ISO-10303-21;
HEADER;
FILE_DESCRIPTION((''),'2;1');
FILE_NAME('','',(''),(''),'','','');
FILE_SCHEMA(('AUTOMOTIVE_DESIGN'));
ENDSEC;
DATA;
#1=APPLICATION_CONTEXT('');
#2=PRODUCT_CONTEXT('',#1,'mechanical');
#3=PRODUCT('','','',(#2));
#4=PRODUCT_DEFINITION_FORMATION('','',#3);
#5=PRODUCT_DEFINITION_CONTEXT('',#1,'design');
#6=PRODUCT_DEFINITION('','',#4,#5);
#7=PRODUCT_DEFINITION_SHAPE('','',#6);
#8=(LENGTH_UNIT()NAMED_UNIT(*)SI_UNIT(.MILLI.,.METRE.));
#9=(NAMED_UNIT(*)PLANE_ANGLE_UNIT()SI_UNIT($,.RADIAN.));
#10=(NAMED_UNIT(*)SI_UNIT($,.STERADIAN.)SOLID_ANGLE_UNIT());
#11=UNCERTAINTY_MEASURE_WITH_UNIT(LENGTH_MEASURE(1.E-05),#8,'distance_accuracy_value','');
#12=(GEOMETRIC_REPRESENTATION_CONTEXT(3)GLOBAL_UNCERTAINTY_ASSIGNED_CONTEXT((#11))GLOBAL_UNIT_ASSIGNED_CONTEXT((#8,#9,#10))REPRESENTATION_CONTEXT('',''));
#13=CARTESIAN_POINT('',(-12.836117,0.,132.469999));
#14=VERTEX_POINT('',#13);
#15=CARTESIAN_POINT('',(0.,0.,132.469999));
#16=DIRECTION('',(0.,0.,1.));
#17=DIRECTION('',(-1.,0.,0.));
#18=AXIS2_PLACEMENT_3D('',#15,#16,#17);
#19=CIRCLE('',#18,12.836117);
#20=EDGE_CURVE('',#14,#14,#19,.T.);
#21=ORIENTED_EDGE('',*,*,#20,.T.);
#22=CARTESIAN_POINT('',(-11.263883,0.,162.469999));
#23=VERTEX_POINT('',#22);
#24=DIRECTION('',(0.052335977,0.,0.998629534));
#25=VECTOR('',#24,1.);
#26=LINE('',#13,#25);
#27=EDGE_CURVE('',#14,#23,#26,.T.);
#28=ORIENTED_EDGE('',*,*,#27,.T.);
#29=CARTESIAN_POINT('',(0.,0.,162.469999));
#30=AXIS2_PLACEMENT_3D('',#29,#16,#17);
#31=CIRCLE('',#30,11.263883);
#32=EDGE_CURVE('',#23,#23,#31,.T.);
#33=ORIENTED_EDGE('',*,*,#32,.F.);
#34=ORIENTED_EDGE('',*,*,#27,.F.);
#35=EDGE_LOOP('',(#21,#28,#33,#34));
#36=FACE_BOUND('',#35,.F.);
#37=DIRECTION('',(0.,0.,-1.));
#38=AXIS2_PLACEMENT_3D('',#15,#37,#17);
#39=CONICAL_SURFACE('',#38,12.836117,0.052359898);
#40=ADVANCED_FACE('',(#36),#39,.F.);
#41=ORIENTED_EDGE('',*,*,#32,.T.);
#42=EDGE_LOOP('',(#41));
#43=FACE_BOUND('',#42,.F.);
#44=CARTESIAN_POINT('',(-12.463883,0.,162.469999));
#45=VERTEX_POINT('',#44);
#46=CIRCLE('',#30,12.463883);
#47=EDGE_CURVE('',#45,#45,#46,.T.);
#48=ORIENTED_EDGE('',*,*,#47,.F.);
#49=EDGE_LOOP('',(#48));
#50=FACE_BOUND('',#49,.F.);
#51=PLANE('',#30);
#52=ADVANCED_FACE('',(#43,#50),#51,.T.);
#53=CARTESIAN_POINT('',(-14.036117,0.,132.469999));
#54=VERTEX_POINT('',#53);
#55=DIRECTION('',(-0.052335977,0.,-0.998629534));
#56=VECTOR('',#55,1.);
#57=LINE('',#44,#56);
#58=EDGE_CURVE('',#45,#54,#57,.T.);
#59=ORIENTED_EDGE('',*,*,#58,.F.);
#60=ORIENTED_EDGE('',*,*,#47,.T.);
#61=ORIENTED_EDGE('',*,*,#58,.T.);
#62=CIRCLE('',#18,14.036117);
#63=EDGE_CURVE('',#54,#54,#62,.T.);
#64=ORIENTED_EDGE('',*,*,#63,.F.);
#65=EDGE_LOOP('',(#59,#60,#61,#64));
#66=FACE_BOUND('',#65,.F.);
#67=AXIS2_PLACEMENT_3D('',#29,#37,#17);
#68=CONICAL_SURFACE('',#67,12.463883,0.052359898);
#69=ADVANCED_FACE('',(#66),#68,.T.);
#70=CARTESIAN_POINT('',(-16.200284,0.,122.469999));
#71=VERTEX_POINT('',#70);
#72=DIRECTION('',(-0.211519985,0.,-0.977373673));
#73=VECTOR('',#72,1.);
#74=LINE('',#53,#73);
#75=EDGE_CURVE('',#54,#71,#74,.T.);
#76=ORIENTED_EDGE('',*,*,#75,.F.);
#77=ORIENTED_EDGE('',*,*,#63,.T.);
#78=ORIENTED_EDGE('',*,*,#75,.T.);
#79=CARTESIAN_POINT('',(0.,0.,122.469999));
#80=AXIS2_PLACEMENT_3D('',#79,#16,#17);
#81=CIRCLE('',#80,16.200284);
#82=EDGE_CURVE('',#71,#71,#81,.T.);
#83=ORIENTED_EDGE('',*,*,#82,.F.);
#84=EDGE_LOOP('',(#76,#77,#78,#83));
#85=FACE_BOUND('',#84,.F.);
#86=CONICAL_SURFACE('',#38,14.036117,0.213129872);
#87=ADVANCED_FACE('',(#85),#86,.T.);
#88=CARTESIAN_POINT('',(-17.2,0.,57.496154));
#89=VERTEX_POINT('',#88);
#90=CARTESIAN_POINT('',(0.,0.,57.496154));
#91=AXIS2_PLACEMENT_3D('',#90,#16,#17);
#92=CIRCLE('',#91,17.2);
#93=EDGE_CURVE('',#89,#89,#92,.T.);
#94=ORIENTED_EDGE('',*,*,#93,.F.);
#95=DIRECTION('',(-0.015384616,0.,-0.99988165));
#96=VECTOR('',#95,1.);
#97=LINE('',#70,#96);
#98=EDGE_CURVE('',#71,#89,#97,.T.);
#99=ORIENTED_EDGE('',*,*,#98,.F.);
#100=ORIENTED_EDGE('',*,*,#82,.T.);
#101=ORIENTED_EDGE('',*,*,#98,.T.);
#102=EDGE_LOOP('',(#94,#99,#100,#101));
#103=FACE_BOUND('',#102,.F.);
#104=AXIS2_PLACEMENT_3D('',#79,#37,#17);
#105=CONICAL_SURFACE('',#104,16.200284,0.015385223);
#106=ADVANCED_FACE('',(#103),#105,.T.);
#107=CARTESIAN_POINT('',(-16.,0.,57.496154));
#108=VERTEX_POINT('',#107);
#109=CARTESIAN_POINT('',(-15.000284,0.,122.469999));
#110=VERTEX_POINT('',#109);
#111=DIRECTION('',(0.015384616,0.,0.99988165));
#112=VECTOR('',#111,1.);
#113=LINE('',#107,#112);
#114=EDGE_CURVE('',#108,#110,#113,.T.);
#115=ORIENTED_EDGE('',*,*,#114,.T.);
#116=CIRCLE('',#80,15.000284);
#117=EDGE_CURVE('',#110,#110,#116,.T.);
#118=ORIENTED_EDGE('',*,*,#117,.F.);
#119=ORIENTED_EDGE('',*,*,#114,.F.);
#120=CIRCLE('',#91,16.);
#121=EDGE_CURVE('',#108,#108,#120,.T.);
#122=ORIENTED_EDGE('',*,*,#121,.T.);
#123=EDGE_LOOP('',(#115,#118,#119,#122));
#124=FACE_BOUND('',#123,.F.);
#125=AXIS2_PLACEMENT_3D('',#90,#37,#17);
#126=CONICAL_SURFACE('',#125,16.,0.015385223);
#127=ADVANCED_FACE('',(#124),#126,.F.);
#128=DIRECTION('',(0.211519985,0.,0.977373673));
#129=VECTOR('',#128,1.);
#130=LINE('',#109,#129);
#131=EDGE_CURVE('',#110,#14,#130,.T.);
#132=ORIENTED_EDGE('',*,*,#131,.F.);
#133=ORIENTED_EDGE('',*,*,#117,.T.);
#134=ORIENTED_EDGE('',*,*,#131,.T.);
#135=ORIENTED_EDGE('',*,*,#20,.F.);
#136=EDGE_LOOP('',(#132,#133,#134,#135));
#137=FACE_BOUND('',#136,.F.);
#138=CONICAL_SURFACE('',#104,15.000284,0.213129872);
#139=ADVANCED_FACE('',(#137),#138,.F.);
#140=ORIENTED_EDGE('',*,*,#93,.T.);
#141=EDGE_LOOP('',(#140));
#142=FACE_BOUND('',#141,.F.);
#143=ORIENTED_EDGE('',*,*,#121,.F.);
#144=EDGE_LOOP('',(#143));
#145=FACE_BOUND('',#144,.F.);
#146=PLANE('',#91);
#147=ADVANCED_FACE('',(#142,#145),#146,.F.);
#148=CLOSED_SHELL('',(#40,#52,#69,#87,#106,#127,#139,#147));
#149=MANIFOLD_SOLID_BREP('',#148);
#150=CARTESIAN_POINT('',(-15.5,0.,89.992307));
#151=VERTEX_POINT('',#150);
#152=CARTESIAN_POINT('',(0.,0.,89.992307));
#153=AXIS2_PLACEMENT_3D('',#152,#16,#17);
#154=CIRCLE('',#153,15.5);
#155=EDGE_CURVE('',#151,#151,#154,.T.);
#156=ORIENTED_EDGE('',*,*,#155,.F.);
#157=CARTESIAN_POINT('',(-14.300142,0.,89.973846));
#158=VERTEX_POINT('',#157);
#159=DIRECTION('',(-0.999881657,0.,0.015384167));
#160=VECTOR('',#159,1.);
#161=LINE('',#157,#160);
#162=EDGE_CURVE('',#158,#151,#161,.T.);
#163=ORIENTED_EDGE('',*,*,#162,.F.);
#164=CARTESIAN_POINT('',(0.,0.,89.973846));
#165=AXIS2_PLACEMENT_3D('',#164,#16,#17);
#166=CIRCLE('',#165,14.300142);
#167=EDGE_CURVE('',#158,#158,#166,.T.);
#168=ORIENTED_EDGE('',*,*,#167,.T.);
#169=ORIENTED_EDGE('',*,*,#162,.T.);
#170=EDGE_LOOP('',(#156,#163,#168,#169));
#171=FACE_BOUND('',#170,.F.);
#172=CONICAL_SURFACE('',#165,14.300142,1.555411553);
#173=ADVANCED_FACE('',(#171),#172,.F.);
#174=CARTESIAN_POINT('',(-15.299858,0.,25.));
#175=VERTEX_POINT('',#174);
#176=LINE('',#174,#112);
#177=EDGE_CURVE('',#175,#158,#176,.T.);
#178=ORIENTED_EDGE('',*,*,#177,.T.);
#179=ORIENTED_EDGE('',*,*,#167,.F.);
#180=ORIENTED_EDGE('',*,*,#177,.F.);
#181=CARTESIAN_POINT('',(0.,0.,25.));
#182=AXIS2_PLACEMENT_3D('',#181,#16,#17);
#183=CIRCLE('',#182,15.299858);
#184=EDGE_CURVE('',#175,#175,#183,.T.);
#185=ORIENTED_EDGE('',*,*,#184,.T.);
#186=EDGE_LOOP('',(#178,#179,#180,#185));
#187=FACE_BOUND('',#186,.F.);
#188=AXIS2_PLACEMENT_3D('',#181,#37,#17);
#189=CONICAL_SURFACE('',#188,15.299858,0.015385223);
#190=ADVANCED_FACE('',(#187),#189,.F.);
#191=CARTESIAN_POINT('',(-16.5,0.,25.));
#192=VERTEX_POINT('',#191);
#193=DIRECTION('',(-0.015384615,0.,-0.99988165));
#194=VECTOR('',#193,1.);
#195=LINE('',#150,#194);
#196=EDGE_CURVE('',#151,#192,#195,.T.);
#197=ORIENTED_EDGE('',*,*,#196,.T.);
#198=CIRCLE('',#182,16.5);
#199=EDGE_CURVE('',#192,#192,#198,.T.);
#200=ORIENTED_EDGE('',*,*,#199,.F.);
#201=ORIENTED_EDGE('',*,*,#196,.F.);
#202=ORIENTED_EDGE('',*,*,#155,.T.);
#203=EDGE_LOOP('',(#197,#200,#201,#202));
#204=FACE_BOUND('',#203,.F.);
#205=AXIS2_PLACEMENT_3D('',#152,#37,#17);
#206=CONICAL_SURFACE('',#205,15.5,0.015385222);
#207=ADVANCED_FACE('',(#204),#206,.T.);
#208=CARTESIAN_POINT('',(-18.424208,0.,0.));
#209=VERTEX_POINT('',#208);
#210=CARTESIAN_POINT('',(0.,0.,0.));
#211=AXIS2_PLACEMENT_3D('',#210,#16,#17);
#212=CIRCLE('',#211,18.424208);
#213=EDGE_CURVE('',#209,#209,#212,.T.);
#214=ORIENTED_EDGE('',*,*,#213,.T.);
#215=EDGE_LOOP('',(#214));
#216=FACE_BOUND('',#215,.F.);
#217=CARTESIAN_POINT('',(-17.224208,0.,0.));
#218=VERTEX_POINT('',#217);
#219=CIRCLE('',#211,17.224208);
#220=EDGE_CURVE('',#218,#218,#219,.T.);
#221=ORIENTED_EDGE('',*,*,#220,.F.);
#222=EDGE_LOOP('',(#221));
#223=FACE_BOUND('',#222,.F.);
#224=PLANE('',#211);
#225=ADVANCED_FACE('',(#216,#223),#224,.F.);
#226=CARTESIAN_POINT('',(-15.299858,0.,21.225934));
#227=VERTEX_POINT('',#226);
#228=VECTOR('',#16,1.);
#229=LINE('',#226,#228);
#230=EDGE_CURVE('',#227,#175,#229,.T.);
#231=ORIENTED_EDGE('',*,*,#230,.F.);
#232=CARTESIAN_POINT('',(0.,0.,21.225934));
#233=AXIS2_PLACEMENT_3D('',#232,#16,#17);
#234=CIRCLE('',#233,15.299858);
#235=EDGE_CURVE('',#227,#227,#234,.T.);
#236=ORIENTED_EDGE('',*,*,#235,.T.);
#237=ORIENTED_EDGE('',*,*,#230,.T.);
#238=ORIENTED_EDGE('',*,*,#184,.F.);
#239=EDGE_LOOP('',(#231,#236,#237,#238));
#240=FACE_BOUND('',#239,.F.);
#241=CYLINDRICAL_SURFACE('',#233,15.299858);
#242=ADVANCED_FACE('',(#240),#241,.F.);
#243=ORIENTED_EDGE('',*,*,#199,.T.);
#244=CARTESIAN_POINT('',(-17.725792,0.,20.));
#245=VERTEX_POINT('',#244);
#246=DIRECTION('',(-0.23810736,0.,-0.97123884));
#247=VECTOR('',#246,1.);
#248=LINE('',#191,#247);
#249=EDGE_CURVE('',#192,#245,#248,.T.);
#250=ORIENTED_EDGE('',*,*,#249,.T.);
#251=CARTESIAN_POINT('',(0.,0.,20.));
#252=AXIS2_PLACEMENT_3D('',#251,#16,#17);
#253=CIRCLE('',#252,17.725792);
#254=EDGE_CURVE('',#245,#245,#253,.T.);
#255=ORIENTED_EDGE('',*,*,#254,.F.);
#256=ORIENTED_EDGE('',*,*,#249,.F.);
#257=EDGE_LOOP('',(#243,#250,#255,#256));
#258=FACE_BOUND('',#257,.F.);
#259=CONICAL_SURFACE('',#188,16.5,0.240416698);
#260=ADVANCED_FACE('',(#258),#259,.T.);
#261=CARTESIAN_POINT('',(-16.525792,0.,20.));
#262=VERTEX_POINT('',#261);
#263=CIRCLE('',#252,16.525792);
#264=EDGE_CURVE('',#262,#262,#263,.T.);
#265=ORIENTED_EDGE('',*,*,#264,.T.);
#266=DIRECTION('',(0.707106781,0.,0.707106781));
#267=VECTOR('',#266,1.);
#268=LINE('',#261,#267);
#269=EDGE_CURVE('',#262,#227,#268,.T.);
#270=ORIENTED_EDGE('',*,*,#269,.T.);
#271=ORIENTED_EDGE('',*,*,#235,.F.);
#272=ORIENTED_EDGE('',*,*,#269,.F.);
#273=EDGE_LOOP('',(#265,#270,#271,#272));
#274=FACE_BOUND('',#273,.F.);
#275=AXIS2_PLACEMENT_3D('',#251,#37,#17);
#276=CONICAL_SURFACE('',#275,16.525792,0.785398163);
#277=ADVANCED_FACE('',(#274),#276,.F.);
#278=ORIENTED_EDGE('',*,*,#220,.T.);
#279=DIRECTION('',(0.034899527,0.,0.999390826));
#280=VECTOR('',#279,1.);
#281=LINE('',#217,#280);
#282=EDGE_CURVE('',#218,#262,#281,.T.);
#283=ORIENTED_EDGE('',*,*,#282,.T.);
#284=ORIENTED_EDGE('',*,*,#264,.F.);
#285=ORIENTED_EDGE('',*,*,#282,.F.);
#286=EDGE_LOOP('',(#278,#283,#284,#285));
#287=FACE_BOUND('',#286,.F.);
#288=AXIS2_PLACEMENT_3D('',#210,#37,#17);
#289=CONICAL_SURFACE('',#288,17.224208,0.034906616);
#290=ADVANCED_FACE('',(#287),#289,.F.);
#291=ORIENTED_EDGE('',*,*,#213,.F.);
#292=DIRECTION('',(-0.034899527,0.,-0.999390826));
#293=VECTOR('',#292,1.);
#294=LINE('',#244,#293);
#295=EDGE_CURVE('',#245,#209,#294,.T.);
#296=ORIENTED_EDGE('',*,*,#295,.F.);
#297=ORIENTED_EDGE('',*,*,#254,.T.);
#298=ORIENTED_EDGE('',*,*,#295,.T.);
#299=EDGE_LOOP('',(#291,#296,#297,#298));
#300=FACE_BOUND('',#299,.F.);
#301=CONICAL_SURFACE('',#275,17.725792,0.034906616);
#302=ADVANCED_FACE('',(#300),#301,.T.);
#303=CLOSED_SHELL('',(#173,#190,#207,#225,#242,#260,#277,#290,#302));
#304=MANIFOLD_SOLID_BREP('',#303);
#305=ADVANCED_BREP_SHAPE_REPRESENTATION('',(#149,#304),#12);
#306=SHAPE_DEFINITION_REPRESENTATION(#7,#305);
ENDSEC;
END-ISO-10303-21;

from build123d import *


with BuildPart() as f2:
    # F0 (on Front) → F2 (revolve)
    with BuildSketch(Plane.XZ):
        Polygon((-14.300142, 89.973846), (-15.5, 89.992307), (-16.5, 25), (-17.725792, 20), (-18.424208, 0), (-17.224208, 0), (-16.525792, 20), (-15.299858, 21.225934), (-15.299858, 25), align=None)
    revolve(axis=Axis((0, 0, 44.996154), (0, 0, 1)))


with BuildPart() as f3:
    # F1 (on Front) → F3 (revolve)
    with BuildSketch(Plane.XZ):
        Polygon((-17.2, 57.496154), (-16, 57.496154), (-15.000284, 122.469999), (-12.836117, 132.469999), (-11.263883, 162.469999), (-12.463883, 162.469999), (-14.036117, 132.469999), (-16.200284, 122.469999), align=None)
    revolve(axis=Axis((0, 0, 86.160094), (0, 0, 1)))


solid = Compound([f2.part, f3.part])
